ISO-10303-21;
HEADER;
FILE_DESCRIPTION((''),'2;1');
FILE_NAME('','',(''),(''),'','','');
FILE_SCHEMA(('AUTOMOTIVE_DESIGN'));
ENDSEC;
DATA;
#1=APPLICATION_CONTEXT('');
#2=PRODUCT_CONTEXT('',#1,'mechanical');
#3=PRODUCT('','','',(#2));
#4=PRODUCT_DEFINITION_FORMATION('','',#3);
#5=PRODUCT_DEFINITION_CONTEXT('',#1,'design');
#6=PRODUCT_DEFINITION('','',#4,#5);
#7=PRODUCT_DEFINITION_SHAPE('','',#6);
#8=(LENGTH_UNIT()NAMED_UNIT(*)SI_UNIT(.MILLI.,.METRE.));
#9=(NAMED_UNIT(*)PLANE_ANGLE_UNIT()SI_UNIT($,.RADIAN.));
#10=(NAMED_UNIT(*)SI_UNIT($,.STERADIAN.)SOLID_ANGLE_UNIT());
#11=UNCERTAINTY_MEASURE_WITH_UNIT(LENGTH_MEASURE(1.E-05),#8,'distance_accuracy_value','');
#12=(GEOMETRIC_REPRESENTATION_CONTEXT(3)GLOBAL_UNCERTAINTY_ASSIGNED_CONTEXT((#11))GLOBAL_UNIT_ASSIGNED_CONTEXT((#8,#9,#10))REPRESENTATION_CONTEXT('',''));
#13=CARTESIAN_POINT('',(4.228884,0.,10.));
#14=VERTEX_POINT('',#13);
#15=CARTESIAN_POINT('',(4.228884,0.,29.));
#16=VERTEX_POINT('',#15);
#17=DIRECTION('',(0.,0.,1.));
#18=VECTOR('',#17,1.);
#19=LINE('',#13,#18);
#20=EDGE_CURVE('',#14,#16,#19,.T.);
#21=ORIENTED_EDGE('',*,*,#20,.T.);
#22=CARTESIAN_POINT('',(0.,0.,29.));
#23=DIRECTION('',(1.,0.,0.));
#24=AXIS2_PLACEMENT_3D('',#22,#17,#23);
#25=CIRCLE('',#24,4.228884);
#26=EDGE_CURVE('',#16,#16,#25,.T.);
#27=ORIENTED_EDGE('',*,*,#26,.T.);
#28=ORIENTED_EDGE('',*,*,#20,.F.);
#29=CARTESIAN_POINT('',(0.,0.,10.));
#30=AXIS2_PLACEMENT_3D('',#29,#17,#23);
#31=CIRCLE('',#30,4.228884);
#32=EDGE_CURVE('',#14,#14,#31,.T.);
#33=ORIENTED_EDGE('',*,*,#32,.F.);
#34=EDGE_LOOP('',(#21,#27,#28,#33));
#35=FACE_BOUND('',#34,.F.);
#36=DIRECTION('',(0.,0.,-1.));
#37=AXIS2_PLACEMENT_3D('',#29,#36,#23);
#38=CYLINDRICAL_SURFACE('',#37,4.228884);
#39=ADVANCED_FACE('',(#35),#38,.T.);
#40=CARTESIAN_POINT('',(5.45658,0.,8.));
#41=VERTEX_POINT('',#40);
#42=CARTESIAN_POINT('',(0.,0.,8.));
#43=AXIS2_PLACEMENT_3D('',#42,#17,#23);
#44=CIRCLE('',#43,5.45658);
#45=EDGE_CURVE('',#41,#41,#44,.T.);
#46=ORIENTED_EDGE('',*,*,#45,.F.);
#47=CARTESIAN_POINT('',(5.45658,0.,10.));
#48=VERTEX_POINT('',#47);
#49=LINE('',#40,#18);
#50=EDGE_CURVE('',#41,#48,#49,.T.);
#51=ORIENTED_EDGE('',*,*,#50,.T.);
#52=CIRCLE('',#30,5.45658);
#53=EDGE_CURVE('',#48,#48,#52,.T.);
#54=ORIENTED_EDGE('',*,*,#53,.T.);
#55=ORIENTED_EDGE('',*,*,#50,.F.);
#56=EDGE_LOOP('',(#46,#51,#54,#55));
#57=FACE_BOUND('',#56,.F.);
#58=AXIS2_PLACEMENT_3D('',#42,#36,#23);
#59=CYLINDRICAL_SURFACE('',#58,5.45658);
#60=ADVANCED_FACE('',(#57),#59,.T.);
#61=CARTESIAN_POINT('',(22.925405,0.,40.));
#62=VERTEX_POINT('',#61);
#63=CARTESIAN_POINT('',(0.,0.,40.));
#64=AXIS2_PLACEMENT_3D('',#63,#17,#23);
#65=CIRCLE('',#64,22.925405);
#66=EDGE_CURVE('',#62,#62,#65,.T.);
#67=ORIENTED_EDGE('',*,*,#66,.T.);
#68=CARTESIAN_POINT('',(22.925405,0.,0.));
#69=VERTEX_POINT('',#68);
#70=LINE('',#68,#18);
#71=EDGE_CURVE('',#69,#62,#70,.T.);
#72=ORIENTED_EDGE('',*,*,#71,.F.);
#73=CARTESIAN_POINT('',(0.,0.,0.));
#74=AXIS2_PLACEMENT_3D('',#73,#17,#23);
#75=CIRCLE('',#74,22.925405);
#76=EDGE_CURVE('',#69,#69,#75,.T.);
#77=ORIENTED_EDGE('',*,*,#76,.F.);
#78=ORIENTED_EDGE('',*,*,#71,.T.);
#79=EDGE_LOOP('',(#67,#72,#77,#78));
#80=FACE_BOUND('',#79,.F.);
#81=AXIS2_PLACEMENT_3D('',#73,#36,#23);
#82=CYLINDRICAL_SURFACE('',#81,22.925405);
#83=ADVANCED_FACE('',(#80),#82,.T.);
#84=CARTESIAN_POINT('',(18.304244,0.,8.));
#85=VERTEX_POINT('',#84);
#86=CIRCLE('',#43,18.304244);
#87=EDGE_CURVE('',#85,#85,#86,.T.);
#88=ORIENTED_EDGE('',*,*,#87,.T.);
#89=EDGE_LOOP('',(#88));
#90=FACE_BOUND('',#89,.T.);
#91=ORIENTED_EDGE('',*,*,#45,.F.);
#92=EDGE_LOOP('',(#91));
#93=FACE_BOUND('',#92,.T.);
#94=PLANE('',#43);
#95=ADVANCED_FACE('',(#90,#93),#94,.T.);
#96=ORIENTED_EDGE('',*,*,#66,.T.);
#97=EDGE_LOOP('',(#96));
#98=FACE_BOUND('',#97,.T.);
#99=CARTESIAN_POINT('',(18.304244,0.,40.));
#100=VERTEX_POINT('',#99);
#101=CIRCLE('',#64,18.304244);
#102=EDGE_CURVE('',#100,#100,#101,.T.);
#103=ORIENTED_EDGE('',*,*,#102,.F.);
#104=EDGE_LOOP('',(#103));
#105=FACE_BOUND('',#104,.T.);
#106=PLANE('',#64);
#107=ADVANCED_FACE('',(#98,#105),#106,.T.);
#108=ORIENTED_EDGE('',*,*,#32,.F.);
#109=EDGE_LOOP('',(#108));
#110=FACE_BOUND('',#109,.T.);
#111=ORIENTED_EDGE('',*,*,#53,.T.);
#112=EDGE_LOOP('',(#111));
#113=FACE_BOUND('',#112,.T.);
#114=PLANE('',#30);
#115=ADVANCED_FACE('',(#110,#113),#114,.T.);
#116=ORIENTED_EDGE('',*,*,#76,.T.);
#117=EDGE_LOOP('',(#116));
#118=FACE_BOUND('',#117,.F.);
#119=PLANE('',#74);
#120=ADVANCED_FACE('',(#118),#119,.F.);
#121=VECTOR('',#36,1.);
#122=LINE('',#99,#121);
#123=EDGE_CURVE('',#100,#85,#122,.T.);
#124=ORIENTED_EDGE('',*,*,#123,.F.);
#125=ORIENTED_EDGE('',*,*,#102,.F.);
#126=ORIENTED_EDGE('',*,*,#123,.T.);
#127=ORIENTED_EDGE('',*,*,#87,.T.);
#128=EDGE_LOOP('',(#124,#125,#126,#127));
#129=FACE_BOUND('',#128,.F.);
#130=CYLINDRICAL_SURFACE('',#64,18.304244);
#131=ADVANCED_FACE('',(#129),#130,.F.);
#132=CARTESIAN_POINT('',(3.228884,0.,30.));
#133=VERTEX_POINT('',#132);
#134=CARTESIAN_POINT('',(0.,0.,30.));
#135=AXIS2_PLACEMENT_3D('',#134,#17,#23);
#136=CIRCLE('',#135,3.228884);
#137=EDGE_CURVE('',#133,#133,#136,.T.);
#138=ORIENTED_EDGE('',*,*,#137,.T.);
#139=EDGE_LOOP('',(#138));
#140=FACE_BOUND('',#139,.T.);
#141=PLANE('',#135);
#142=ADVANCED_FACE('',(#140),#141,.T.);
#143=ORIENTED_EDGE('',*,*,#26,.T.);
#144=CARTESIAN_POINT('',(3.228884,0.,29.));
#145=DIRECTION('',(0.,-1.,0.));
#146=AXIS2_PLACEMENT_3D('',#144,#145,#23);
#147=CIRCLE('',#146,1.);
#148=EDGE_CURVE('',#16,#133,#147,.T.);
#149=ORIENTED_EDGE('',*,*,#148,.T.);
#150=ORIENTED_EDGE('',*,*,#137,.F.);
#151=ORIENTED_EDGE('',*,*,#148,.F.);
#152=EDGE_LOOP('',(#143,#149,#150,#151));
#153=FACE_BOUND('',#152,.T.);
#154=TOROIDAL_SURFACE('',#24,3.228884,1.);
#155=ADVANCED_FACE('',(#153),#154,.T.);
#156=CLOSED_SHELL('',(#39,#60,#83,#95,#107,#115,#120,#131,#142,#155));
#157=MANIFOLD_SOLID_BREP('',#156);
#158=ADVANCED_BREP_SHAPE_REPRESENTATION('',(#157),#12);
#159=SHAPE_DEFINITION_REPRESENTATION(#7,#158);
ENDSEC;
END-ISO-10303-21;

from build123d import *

# Parameters (mm, degrees)
SKETCH_R     = 22.925405
PAD_DEPTH    = 40
SKETCH001_R  = 18.304244
POCKET_DEPTH = 32
SKETCH002_R  = 5.45658
PAD001_DEPTH = 2
SKETCH003_R  = 4.228884
PAD002_DEPTH = 20
FILLET_R     = 1


with BuildPart() as part:
    # Sketch → Pad (new body)
    with BuildSketch(Plane.XY):
        Circle(SKETCH_R)
    extrude(amount=PAD_DEPTH)

    # Sketch001 (on Face3 of Pad) → Pocket (cut)
    with BuildSketch(Plane.XY.offset(40)):
        Circle(SKETCH001_R)
    extrude(amount=-POCKET_DEPTH, mode=Mode.SUBTRACT)

    # Sketch002 (on Face5 of Pocket) → Pad001 (join)
    with BuildSketch(Plane.XY.offset(8)):
        Circle(SKETCH002_R)
    extrude(amount=PAD001_DEPTH)

    # Sketch003 (on Face7 of Pad001) → Pad002 (join)
    with BuildSketch(Plane.XY.offset(10)):
        Circle(SKETCH003_R)
    extrude(amount=PAD002_DEPTH)

    # Fillet
    fillet_edges = [part.edges().sort_by_distance(p)[0] for p in [
        (-4.228884, 0, 30),
    ]]
    fillet(fillet_edges, radius=FILLET_R)


solid = part.part
